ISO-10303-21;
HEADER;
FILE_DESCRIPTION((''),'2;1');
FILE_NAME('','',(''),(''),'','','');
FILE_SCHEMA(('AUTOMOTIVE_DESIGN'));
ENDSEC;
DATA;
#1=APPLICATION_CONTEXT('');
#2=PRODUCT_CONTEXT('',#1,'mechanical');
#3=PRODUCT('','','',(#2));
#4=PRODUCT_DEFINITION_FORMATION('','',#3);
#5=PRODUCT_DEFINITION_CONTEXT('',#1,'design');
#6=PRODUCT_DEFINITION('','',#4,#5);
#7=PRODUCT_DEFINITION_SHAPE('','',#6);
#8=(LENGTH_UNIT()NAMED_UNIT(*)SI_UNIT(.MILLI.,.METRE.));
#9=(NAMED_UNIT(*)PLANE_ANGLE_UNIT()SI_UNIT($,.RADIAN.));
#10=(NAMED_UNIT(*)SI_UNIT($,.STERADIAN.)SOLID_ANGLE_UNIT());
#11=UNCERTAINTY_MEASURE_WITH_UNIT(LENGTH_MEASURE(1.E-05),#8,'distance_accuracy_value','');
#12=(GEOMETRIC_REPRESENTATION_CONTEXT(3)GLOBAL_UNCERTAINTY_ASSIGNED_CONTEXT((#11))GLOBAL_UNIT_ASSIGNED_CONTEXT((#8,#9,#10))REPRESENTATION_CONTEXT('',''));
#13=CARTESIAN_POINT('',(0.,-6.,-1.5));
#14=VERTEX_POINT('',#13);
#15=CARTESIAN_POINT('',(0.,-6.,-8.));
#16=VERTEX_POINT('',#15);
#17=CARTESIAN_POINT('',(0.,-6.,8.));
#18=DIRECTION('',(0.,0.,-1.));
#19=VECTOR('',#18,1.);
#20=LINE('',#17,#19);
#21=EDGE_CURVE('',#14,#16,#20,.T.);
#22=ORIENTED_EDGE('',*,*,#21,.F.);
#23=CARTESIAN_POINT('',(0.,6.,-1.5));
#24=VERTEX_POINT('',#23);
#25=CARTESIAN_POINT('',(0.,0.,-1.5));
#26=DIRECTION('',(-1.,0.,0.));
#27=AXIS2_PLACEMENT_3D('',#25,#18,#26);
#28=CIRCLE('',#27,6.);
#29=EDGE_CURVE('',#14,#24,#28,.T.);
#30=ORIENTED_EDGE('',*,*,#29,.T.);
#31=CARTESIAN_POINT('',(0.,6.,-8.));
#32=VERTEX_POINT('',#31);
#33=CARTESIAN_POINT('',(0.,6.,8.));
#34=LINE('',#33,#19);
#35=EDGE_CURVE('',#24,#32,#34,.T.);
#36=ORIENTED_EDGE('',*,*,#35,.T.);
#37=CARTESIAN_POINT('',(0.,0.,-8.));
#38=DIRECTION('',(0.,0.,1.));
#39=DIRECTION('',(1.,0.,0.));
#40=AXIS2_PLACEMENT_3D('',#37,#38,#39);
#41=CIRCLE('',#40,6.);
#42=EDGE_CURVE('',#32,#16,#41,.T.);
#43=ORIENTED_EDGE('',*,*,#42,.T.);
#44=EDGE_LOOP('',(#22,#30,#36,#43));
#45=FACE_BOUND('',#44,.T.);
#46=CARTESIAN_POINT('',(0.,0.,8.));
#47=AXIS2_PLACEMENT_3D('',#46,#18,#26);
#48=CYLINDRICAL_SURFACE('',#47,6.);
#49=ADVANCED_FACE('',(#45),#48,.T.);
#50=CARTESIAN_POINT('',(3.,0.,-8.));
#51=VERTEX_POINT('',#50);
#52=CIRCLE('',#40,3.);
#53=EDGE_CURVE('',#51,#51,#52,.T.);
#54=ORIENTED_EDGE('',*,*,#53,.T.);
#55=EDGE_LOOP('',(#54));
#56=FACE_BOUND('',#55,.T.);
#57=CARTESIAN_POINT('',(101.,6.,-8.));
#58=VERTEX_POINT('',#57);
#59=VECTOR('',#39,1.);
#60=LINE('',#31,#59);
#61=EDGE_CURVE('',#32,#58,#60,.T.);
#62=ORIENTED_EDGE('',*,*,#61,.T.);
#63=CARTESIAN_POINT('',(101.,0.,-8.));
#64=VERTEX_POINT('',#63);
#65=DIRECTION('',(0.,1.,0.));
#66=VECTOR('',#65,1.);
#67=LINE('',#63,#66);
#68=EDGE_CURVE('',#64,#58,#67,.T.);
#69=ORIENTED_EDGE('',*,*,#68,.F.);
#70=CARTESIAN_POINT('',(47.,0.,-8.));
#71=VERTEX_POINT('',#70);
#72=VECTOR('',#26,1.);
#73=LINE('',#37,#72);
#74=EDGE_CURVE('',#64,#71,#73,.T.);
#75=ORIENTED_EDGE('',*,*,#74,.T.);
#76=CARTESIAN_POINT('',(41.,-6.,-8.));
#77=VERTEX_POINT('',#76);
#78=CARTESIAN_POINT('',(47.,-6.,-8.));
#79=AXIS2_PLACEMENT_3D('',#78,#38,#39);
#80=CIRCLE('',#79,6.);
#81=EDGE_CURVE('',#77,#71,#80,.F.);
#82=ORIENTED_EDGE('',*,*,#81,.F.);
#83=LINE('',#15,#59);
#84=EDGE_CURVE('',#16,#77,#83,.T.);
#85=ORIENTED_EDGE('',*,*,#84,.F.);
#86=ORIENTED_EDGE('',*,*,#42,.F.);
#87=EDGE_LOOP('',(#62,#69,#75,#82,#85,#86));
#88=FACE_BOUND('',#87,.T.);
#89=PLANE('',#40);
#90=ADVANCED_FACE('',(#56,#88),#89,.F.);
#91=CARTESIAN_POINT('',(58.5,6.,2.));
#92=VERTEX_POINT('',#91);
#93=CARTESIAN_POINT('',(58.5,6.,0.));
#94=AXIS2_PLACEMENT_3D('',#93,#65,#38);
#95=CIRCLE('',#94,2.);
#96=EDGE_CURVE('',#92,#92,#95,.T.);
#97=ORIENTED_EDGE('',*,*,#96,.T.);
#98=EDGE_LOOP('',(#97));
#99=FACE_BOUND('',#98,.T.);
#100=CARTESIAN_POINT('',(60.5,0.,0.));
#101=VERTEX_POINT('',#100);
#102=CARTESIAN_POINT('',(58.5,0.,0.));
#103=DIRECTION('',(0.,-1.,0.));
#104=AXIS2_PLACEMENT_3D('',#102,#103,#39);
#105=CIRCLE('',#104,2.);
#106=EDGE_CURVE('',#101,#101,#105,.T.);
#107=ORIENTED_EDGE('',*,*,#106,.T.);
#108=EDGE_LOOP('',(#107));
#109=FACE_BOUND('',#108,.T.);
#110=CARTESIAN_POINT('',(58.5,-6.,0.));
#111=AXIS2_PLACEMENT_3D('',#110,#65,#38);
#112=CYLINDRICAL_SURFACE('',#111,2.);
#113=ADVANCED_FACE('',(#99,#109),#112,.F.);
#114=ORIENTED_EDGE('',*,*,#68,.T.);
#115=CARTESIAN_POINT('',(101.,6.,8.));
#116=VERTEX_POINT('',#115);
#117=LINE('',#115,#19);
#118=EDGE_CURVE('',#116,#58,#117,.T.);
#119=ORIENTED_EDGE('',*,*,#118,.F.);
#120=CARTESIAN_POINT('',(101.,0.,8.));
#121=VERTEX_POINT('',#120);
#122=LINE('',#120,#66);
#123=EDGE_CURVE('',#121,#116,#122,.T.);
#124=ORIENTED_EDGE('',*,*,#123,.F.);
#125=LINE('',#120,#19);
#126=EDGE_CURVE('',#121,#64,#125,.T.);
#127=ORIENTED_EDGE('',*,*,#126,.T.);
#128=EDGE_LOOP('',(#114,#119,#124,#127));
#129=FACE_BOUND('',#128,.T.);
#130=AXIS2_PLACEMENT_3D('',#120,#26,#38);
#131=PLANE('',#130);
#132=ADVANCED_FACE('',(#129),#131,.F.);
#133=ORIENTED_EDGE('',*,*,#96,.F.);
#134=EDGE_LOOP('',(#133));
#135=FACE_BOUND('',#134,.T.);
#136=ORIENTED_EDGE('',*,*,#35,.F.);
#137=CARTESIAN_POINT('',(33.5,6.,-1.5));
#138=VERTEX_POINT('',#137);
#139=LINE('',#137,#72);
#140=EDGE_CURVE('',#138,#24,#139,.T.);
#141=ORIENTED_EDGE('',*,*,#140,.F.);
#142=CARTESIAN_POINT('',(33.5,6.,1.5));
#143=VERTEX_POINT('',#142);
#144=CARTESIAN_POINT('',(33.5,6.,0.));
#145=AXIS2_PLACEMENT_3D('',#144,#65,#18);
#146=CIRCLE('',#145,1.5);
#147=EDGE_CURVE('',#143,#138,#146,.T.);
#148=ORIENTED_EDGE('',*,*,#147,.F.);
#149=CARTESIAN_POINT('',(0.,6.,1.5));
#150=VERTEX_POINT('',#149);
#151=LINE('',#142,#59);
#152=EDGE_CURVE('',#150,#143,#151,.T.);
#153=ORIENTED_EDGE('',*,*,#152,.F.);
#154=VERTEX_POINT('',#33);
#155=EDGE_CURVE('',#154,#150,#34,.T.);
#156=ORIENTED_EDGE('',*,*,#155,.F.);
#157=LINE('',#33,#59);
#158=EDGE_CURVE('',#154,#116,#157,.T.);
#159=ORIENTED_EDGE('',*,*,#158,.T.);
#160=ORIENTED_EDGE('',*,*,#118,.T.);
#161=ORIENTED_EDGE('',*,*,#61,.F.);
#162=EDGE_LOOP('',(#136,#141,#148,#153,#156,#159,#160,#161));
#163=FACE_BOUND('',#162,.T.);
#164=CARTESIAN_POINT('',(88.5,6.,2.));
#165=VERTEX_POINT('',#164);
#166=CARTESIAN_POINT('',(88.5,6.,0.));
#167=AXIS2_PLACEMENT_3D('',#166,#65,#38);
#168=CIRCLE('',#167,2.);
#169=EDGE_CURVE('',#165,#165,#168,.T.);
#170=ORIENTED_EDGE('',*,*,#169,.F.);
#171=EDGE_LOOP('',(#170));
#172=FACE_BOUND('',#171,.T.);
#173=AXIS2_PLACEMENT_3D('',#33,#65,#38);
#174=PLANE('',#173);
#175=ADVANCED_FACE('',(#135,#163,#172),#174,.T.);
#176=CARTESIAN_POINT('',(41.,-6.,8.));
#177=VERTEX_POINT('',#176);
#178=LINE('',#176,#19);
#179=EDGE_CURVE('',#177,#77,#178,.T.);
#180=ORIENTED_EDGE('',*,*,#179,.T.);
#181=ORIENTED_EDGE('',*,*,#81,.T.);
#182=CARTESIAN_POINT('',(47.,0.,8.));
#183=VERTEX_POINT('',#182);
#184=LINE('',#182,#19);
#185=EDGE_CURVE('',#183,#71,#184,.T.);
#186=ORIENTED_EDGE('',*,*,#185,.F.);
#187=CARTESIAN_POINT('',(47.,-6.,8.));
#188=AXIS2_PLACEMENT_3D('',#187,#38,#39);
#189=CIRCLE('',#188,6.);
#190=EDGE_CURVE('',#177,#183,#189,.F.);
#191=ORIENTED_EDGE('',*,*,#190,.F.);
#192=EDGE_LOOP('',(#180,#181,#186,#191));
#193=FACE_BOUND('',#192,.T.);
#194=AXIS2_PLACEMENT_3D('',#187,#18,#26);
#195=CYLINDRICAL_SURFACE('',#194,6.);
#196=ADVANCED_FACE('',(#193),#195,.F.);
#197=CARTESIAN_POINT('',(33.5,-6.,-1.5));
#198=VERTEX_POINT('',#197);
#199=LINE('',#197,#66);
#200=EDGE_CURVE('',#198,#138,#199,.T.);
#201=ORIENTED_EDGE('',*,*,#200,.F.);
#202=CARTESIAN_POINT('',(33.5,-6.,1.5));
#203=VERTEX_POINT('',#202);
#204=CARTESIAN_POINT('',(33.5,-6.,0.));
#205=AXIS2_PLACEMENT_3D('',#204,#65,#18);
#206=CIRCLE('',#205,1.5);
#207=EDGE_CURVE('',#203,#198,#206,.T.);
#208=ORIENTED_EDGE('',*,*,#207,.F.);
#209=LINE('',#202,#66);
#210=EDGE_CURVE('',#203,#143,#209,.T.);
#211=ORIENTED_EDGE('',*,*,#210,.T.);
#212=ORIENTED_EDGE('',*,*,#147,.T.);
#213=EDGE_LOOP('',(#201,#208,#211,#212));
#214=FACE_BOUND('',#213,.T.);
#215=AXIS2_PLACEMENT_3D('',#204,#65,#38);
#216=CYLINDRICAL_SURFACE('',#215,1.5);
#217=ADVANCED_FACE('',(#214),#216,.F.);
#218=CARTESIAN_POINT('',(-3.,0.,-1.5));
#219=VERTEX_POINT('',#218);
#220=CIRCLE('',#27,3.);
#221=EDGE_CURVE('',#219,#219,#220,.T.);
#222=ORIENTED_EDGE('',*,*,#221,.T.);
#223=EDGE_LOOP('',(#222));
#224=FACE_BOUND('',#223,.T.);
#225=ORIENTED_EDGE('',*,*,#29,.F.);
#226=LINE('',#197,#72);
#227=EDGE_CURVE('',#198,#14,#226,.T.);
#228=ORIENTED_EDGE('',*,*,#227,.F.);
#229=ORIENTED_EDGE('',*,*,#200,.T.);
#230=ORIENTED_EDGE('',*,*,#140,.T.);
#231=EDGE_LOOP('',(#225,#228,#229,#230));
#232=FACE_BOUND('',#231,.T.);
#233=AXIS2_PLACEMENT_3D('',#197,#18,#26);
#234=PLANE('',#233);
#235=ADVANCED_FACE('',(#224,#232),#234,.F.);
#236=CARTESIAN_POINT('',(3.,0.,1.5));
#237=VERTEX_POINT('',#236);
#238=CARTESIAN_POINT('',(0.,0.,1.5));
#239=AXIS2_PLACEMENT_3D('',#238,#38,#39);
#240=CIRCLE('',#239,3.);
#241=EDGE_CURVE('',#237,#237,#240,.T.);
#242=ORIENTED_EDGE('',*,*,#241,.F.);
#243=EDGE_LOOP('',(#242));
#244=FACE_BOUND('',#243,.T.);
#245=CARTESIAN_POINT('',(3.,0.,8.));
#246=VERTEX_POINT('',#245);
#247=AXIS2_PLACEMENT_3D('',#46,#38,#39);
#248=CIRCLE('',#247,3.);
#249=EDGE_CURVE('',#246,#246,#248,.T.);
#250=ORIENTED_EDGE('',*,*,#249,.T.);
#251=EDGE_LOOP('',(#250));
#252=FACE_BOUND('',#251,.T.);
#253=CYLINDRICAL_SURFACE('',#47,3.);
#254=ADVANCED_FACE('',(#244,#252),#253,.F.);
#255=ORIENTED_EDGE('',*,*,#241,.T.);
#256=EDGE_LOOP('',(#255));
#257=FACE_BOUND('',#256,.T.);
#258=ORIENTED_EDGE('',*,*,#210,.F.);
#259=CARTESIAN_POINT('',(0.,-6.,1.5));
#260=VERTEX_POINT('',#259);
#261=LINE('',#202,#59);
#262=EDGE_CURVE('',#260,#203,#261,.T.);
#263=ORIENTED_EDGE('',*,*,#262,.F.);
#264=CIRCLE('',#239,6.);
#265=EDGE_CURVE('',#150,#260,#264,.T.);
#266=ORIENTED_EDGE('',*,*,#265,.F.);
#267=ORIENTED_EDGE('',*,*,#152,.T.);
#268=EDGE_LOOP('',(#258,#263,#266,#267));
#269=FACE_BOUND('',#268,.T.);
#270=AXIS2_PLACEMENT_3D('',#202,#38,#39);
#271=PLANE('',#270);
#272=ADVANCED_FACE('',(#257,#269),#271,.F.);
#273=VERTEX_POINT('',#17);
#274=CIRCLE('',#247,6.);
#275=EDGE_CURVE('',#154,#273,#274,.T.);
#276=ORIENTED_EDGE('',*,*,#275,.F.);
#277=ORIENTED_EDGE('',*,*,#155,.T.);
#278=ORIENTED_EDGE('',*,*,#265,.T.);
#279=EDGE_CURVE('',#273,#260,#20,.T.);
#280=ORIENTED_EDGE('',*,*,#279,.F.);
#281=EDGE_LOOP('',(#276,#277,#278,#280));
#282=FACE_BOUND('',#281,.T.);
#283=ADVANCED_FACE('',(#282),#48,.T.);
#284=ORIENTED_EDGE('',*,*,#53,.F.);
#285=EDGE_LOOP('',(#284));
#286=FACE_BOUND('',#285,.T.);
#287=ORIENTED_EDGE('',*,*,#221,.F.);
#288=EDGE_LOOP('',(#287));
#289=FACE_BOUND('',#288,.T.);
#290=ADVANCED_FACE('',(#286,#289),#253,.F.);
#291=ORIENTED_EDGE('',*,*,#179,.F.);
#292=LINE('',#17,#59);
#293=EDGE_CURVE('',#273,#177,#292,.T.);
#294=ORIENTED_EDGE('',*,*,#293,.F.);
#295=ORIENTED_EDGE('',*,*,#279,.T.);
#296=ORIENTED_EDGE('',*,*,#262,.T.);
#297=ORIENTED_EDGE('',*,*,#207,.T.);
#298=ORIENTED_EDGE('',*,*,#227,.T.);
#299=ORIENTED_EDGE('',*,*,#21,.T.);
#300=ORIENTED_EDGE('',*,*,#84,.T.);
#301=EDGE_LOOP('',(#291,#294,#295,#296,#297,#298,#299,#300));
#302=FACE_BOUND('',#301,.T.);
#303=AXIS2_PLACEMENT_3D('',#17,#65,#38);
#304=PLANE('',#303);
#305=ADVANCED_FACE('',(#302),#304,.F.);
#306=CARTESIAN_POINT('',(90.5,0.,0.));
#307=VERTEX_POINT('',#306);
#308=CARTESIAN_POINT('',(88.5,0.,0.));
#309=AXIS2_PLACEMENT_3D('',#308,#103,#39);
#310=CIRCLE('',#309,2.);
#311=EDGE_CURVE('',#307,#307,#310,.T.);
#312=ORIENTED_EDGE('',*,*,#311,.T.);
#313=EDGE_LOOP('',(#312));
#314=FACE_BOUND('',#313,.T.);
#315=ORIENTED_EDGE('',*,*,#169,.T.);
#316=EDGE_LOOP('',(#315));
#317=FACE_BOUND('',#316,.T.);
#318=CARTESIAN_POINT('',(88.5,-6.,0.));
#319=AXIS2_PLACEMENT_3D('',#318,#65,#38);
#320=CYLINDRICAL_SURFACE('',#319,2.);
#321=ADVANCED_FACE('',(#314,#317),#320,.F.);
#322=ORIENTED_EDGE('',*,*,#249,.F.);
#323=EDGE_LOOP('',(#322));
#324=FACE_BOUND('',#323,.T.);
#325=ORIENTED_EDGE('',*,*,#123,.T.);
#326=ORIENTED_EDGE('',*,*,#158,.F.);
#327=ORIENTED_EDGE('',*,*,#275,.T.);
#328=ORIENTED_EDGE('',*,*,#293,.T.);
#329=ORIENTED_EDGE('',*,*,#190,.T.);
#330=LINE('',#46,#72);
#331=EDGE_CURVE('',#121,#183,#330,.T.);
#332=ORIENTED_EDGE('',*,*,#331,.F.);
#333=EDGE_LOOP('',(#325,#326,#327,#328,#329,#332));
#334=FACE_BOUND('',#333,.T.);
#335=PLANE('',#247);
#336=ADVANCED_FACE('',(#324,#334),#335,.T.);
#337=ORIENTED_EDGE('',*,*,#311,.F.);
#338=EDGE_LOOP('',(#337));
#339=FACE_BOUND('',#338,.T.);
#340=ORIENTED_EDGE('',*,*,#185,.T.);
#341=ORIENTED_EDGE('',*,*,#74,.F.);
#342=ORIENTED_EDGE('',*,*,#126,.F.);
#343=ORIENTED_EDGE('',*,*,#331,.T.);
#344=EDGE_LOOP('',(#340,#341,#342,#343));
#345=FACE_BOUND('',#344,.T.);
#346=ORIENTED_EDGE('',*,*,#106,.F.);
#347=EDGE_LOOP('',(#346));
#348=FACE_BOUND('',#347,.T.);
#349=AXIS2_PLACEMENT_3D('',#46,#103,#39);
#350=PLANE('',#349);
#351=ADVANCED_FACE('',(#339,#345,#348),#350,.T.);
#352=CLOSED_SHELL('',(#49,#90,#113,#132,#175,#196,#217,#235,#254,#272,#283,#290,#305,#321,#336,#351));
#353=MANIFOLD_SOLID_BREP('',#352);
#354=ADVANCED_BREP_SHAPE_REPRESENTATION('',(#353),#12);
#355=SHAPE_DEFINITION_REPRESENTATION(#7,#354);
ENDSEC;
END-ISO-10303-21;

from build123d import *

# Parameters (mm, degrees)
SKETCH2_R           = 3
BOSS_EXTRUDE1_DEPTH = 8
SKETCH3_R           = 2
CUT_EXTRUDE1_DEPTH  = 103.02450686


with BuildPart() as part:
    # Sketch2 → Boss-Extrude1 (new, symmetric)
    with BuildSketch(Plane.XY):
        with BuildLine():
            Line((0, -6), (41, -6))
            ThreePointArc((41, -6), (42.757359313, -1.757359313), (47, 0))
            Line((47, 0), (101, 0))
            Line((101, 0), (101, 6))
            Line((101, 6), (0, 6))
            ThreePointArc((0, 6), (-6, 0), (0, -6))
        make_face()
        Circle(SKETCH2_R, mode=Mode.SUBTRACT)
    extrude(amount=BOSS_EXTRUDE1_DEPTH, both=True)

    # Sketch3 → Cut-Extrude1 (cut, through all)
    with BuildSketch(Plane(origin=(0, 6, 0), x_dir=(1, 0, 0), z_dir=(0, 1, 0))):
        with Locations(Location((58.5, 0, 0), (0, 0, 270))):
            Circle(SKETCH3_R)
        with Locations(Location((88.5, 0, 0), (0, 0, 270))):
            Circle(SKETCH3_R)
        with BuildLine():
            Line((33.49999953, -1.5), (-6, -1.5))
            Line((-6, -1.5), (-6, 1.5))
            Line((-6, 1.5), (33.49999953, 1.5))
            ThreePointArc((33.49999953, 1.5), (35, 0), (33.49999953, -1.5))
        make_face()
    extrude(amount=-CUT_EXTRUDE1_DEPTH, mode=Mode.SUBTRACT)


solid = part.part
